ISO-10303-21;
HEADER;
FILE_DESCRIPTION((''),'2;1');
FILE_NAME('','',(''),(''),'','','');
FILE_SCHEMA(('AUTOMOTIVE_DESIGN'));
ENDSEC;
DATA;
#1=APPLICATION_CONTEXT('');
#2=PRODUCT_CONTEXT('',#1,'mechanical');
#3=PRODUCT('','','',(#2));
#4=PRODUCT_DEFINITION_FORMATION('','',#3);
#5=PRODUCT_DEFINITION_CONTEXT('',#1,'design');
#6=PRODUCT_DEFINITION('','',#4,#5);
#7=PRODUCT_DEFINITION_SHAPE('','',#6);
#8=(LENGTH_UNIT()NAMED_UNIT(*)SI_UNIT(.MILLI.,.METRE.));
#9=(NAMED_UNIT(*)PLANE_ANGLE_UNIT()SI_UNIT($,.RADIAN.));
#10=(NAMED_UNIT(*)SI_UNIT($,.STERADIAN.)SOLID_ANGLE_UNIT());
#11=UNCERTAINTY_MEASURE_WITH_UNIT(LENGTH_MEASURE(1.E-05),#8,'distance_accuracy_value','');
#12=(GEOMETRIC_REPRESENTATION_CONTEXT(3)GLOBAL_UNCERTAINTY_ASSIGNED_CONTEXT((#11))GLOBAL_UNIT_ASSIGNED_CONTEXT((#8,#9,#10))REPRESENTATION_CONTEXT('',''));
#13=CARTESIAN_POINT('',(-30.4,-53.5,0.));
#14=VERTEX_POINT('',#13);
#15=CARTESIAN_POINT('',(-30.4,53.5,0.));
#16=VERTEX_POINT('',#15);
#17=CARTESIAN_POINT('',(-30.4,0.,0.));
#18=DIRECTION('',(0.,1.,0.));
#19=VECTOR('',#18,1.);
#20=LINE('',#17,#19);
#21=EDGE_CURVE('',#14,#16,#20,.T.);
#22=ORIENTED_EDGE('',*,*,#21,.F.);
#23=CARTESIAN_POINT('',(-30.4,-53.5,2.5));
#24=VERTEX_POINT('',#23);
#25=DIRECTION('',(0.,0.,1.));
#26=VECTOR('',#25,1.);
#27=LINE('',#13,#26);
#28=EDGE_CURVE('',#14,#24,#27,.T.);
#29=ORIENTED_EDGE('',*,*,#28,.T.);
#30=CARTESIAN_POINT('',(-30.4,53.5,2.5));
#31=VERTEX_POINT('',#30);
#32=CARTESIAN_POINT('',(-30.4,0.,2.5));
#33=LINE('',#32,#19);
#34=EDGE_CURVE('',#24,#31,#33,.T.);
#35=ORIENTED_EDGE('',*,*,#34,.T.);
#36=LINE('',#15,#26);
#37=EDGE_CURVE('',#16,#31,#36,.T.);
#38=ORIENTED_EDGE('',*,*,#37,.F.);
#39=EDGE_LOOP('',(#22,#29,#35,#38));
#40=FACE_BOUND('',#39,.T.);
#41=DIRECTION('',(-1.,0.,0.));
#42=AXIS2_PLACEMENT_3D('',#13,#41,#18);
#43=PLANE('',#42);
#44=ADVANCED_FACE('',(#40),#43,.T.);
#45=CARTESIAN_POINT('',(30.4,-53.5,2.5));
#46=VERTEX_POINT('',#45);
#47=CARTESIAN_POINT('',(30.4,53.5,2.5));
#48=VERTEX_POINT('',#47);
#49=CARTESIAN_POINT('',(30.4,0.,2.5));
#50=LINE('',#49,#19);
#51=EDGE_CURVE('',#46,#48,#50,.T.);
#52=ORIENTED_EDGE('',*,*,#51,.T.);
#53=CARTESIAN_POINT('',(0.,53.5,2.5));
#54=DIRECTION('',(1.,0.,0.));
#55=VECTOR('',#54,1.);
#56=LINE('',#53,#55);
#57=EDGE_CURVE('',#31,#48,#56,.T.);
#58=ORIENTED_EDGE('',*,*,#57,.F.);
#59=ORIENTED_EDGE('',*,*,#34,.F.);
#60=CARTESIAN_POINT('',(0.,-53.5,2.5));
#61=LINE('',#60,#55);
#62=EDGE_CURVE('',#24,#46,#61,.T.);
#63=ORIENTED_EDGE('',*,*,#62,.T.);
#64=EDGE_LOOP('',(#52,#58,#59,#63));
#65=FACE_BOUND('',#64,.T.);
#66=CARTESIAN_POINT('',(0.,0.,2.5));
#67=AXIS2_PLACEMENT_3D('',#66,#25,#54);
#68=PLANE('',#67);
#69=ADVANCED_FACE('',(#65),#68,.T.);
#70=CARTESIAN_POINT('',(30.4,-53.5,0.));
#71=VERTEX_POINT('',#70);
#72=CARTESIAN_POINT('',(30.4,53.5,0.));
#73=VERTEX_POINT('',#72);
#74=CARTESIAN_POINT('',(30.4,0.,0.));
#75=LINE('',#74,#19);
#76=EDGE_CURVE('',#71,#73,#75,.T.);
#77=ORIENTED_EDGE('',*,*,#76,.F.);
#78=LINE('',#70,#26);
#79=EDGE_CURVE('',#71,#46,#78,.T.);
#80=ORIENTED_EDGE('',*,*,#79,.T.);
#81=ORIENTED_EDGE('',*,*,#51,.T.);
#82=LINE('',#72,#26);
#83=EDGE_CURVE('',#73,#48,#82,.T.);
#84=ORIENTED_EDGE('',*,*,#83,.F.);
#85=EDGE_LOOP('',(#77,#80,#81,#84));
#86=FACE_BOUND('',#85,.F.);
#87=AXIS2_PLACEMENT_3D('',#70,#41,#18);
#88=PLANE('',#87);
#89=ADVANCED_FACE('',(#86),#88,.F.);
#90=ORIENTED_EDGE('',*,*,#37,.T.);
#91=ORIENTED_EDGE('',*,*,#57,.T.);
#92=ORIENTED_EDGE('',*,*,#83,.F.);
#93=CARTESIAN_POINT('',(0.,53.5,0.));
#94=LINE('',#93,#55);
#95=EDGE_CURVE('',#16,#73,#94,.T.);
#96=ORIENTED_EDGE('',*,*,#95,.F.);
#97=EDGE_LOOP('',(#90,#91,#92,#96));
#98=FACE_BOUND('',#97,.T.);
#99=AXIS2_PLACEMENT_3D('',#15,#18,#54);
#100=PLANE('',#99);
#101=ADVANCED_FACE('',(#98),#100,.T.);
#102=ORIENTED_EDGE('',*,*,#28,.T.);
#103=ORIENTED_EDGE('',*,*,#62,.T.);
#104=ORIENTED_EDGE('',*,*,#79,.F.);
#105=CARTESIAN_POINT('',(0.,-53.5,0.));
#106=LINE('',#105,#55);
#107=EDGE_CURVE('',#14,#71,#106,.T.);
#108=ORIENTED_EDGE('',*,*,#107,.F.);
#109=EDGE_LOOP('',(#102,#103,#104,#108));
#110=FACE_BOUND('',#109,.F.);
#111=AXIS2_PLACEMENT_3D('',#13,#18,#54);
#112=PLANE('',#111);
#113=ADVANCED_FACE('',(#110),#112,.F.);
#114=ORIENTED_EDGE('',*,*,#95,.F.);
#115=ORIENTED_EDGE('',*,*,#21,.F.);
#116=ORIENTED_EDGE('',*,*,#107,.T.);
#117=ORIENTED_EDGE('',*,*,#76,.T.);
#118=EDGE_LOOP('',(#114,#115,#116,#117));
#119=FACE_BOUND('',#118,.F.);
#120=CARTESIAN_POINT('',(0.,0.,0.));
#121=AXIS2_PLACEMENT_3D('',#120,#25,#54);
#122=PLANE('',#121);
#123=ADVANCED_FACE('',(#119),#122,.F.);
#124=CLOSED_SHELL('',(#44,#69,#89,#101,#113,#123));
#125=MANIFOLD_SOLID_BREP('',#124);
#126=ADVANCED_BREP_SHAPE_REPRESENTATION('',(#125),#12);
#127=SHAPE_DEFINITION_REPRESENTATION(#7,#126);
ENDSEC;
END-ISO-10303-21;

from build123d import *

# Parameters (mm, degrees)
CROQUIS1_W              = 60.8
CROQUIS1_H              = 107
SALIENTE_EXTRUIR1_DEPTH = 2.5


with BuildPart() as part:
    # Croquis1 → Saliente-Extruir1 (new body)
    with BuildSketch(Plane.XY):
        Rectangle(CROQUIS1_W, CROQUIS1_H)
    extrude(amount=SALIENTE_EXTRUIR1_DEPTH)


solid = part.part
